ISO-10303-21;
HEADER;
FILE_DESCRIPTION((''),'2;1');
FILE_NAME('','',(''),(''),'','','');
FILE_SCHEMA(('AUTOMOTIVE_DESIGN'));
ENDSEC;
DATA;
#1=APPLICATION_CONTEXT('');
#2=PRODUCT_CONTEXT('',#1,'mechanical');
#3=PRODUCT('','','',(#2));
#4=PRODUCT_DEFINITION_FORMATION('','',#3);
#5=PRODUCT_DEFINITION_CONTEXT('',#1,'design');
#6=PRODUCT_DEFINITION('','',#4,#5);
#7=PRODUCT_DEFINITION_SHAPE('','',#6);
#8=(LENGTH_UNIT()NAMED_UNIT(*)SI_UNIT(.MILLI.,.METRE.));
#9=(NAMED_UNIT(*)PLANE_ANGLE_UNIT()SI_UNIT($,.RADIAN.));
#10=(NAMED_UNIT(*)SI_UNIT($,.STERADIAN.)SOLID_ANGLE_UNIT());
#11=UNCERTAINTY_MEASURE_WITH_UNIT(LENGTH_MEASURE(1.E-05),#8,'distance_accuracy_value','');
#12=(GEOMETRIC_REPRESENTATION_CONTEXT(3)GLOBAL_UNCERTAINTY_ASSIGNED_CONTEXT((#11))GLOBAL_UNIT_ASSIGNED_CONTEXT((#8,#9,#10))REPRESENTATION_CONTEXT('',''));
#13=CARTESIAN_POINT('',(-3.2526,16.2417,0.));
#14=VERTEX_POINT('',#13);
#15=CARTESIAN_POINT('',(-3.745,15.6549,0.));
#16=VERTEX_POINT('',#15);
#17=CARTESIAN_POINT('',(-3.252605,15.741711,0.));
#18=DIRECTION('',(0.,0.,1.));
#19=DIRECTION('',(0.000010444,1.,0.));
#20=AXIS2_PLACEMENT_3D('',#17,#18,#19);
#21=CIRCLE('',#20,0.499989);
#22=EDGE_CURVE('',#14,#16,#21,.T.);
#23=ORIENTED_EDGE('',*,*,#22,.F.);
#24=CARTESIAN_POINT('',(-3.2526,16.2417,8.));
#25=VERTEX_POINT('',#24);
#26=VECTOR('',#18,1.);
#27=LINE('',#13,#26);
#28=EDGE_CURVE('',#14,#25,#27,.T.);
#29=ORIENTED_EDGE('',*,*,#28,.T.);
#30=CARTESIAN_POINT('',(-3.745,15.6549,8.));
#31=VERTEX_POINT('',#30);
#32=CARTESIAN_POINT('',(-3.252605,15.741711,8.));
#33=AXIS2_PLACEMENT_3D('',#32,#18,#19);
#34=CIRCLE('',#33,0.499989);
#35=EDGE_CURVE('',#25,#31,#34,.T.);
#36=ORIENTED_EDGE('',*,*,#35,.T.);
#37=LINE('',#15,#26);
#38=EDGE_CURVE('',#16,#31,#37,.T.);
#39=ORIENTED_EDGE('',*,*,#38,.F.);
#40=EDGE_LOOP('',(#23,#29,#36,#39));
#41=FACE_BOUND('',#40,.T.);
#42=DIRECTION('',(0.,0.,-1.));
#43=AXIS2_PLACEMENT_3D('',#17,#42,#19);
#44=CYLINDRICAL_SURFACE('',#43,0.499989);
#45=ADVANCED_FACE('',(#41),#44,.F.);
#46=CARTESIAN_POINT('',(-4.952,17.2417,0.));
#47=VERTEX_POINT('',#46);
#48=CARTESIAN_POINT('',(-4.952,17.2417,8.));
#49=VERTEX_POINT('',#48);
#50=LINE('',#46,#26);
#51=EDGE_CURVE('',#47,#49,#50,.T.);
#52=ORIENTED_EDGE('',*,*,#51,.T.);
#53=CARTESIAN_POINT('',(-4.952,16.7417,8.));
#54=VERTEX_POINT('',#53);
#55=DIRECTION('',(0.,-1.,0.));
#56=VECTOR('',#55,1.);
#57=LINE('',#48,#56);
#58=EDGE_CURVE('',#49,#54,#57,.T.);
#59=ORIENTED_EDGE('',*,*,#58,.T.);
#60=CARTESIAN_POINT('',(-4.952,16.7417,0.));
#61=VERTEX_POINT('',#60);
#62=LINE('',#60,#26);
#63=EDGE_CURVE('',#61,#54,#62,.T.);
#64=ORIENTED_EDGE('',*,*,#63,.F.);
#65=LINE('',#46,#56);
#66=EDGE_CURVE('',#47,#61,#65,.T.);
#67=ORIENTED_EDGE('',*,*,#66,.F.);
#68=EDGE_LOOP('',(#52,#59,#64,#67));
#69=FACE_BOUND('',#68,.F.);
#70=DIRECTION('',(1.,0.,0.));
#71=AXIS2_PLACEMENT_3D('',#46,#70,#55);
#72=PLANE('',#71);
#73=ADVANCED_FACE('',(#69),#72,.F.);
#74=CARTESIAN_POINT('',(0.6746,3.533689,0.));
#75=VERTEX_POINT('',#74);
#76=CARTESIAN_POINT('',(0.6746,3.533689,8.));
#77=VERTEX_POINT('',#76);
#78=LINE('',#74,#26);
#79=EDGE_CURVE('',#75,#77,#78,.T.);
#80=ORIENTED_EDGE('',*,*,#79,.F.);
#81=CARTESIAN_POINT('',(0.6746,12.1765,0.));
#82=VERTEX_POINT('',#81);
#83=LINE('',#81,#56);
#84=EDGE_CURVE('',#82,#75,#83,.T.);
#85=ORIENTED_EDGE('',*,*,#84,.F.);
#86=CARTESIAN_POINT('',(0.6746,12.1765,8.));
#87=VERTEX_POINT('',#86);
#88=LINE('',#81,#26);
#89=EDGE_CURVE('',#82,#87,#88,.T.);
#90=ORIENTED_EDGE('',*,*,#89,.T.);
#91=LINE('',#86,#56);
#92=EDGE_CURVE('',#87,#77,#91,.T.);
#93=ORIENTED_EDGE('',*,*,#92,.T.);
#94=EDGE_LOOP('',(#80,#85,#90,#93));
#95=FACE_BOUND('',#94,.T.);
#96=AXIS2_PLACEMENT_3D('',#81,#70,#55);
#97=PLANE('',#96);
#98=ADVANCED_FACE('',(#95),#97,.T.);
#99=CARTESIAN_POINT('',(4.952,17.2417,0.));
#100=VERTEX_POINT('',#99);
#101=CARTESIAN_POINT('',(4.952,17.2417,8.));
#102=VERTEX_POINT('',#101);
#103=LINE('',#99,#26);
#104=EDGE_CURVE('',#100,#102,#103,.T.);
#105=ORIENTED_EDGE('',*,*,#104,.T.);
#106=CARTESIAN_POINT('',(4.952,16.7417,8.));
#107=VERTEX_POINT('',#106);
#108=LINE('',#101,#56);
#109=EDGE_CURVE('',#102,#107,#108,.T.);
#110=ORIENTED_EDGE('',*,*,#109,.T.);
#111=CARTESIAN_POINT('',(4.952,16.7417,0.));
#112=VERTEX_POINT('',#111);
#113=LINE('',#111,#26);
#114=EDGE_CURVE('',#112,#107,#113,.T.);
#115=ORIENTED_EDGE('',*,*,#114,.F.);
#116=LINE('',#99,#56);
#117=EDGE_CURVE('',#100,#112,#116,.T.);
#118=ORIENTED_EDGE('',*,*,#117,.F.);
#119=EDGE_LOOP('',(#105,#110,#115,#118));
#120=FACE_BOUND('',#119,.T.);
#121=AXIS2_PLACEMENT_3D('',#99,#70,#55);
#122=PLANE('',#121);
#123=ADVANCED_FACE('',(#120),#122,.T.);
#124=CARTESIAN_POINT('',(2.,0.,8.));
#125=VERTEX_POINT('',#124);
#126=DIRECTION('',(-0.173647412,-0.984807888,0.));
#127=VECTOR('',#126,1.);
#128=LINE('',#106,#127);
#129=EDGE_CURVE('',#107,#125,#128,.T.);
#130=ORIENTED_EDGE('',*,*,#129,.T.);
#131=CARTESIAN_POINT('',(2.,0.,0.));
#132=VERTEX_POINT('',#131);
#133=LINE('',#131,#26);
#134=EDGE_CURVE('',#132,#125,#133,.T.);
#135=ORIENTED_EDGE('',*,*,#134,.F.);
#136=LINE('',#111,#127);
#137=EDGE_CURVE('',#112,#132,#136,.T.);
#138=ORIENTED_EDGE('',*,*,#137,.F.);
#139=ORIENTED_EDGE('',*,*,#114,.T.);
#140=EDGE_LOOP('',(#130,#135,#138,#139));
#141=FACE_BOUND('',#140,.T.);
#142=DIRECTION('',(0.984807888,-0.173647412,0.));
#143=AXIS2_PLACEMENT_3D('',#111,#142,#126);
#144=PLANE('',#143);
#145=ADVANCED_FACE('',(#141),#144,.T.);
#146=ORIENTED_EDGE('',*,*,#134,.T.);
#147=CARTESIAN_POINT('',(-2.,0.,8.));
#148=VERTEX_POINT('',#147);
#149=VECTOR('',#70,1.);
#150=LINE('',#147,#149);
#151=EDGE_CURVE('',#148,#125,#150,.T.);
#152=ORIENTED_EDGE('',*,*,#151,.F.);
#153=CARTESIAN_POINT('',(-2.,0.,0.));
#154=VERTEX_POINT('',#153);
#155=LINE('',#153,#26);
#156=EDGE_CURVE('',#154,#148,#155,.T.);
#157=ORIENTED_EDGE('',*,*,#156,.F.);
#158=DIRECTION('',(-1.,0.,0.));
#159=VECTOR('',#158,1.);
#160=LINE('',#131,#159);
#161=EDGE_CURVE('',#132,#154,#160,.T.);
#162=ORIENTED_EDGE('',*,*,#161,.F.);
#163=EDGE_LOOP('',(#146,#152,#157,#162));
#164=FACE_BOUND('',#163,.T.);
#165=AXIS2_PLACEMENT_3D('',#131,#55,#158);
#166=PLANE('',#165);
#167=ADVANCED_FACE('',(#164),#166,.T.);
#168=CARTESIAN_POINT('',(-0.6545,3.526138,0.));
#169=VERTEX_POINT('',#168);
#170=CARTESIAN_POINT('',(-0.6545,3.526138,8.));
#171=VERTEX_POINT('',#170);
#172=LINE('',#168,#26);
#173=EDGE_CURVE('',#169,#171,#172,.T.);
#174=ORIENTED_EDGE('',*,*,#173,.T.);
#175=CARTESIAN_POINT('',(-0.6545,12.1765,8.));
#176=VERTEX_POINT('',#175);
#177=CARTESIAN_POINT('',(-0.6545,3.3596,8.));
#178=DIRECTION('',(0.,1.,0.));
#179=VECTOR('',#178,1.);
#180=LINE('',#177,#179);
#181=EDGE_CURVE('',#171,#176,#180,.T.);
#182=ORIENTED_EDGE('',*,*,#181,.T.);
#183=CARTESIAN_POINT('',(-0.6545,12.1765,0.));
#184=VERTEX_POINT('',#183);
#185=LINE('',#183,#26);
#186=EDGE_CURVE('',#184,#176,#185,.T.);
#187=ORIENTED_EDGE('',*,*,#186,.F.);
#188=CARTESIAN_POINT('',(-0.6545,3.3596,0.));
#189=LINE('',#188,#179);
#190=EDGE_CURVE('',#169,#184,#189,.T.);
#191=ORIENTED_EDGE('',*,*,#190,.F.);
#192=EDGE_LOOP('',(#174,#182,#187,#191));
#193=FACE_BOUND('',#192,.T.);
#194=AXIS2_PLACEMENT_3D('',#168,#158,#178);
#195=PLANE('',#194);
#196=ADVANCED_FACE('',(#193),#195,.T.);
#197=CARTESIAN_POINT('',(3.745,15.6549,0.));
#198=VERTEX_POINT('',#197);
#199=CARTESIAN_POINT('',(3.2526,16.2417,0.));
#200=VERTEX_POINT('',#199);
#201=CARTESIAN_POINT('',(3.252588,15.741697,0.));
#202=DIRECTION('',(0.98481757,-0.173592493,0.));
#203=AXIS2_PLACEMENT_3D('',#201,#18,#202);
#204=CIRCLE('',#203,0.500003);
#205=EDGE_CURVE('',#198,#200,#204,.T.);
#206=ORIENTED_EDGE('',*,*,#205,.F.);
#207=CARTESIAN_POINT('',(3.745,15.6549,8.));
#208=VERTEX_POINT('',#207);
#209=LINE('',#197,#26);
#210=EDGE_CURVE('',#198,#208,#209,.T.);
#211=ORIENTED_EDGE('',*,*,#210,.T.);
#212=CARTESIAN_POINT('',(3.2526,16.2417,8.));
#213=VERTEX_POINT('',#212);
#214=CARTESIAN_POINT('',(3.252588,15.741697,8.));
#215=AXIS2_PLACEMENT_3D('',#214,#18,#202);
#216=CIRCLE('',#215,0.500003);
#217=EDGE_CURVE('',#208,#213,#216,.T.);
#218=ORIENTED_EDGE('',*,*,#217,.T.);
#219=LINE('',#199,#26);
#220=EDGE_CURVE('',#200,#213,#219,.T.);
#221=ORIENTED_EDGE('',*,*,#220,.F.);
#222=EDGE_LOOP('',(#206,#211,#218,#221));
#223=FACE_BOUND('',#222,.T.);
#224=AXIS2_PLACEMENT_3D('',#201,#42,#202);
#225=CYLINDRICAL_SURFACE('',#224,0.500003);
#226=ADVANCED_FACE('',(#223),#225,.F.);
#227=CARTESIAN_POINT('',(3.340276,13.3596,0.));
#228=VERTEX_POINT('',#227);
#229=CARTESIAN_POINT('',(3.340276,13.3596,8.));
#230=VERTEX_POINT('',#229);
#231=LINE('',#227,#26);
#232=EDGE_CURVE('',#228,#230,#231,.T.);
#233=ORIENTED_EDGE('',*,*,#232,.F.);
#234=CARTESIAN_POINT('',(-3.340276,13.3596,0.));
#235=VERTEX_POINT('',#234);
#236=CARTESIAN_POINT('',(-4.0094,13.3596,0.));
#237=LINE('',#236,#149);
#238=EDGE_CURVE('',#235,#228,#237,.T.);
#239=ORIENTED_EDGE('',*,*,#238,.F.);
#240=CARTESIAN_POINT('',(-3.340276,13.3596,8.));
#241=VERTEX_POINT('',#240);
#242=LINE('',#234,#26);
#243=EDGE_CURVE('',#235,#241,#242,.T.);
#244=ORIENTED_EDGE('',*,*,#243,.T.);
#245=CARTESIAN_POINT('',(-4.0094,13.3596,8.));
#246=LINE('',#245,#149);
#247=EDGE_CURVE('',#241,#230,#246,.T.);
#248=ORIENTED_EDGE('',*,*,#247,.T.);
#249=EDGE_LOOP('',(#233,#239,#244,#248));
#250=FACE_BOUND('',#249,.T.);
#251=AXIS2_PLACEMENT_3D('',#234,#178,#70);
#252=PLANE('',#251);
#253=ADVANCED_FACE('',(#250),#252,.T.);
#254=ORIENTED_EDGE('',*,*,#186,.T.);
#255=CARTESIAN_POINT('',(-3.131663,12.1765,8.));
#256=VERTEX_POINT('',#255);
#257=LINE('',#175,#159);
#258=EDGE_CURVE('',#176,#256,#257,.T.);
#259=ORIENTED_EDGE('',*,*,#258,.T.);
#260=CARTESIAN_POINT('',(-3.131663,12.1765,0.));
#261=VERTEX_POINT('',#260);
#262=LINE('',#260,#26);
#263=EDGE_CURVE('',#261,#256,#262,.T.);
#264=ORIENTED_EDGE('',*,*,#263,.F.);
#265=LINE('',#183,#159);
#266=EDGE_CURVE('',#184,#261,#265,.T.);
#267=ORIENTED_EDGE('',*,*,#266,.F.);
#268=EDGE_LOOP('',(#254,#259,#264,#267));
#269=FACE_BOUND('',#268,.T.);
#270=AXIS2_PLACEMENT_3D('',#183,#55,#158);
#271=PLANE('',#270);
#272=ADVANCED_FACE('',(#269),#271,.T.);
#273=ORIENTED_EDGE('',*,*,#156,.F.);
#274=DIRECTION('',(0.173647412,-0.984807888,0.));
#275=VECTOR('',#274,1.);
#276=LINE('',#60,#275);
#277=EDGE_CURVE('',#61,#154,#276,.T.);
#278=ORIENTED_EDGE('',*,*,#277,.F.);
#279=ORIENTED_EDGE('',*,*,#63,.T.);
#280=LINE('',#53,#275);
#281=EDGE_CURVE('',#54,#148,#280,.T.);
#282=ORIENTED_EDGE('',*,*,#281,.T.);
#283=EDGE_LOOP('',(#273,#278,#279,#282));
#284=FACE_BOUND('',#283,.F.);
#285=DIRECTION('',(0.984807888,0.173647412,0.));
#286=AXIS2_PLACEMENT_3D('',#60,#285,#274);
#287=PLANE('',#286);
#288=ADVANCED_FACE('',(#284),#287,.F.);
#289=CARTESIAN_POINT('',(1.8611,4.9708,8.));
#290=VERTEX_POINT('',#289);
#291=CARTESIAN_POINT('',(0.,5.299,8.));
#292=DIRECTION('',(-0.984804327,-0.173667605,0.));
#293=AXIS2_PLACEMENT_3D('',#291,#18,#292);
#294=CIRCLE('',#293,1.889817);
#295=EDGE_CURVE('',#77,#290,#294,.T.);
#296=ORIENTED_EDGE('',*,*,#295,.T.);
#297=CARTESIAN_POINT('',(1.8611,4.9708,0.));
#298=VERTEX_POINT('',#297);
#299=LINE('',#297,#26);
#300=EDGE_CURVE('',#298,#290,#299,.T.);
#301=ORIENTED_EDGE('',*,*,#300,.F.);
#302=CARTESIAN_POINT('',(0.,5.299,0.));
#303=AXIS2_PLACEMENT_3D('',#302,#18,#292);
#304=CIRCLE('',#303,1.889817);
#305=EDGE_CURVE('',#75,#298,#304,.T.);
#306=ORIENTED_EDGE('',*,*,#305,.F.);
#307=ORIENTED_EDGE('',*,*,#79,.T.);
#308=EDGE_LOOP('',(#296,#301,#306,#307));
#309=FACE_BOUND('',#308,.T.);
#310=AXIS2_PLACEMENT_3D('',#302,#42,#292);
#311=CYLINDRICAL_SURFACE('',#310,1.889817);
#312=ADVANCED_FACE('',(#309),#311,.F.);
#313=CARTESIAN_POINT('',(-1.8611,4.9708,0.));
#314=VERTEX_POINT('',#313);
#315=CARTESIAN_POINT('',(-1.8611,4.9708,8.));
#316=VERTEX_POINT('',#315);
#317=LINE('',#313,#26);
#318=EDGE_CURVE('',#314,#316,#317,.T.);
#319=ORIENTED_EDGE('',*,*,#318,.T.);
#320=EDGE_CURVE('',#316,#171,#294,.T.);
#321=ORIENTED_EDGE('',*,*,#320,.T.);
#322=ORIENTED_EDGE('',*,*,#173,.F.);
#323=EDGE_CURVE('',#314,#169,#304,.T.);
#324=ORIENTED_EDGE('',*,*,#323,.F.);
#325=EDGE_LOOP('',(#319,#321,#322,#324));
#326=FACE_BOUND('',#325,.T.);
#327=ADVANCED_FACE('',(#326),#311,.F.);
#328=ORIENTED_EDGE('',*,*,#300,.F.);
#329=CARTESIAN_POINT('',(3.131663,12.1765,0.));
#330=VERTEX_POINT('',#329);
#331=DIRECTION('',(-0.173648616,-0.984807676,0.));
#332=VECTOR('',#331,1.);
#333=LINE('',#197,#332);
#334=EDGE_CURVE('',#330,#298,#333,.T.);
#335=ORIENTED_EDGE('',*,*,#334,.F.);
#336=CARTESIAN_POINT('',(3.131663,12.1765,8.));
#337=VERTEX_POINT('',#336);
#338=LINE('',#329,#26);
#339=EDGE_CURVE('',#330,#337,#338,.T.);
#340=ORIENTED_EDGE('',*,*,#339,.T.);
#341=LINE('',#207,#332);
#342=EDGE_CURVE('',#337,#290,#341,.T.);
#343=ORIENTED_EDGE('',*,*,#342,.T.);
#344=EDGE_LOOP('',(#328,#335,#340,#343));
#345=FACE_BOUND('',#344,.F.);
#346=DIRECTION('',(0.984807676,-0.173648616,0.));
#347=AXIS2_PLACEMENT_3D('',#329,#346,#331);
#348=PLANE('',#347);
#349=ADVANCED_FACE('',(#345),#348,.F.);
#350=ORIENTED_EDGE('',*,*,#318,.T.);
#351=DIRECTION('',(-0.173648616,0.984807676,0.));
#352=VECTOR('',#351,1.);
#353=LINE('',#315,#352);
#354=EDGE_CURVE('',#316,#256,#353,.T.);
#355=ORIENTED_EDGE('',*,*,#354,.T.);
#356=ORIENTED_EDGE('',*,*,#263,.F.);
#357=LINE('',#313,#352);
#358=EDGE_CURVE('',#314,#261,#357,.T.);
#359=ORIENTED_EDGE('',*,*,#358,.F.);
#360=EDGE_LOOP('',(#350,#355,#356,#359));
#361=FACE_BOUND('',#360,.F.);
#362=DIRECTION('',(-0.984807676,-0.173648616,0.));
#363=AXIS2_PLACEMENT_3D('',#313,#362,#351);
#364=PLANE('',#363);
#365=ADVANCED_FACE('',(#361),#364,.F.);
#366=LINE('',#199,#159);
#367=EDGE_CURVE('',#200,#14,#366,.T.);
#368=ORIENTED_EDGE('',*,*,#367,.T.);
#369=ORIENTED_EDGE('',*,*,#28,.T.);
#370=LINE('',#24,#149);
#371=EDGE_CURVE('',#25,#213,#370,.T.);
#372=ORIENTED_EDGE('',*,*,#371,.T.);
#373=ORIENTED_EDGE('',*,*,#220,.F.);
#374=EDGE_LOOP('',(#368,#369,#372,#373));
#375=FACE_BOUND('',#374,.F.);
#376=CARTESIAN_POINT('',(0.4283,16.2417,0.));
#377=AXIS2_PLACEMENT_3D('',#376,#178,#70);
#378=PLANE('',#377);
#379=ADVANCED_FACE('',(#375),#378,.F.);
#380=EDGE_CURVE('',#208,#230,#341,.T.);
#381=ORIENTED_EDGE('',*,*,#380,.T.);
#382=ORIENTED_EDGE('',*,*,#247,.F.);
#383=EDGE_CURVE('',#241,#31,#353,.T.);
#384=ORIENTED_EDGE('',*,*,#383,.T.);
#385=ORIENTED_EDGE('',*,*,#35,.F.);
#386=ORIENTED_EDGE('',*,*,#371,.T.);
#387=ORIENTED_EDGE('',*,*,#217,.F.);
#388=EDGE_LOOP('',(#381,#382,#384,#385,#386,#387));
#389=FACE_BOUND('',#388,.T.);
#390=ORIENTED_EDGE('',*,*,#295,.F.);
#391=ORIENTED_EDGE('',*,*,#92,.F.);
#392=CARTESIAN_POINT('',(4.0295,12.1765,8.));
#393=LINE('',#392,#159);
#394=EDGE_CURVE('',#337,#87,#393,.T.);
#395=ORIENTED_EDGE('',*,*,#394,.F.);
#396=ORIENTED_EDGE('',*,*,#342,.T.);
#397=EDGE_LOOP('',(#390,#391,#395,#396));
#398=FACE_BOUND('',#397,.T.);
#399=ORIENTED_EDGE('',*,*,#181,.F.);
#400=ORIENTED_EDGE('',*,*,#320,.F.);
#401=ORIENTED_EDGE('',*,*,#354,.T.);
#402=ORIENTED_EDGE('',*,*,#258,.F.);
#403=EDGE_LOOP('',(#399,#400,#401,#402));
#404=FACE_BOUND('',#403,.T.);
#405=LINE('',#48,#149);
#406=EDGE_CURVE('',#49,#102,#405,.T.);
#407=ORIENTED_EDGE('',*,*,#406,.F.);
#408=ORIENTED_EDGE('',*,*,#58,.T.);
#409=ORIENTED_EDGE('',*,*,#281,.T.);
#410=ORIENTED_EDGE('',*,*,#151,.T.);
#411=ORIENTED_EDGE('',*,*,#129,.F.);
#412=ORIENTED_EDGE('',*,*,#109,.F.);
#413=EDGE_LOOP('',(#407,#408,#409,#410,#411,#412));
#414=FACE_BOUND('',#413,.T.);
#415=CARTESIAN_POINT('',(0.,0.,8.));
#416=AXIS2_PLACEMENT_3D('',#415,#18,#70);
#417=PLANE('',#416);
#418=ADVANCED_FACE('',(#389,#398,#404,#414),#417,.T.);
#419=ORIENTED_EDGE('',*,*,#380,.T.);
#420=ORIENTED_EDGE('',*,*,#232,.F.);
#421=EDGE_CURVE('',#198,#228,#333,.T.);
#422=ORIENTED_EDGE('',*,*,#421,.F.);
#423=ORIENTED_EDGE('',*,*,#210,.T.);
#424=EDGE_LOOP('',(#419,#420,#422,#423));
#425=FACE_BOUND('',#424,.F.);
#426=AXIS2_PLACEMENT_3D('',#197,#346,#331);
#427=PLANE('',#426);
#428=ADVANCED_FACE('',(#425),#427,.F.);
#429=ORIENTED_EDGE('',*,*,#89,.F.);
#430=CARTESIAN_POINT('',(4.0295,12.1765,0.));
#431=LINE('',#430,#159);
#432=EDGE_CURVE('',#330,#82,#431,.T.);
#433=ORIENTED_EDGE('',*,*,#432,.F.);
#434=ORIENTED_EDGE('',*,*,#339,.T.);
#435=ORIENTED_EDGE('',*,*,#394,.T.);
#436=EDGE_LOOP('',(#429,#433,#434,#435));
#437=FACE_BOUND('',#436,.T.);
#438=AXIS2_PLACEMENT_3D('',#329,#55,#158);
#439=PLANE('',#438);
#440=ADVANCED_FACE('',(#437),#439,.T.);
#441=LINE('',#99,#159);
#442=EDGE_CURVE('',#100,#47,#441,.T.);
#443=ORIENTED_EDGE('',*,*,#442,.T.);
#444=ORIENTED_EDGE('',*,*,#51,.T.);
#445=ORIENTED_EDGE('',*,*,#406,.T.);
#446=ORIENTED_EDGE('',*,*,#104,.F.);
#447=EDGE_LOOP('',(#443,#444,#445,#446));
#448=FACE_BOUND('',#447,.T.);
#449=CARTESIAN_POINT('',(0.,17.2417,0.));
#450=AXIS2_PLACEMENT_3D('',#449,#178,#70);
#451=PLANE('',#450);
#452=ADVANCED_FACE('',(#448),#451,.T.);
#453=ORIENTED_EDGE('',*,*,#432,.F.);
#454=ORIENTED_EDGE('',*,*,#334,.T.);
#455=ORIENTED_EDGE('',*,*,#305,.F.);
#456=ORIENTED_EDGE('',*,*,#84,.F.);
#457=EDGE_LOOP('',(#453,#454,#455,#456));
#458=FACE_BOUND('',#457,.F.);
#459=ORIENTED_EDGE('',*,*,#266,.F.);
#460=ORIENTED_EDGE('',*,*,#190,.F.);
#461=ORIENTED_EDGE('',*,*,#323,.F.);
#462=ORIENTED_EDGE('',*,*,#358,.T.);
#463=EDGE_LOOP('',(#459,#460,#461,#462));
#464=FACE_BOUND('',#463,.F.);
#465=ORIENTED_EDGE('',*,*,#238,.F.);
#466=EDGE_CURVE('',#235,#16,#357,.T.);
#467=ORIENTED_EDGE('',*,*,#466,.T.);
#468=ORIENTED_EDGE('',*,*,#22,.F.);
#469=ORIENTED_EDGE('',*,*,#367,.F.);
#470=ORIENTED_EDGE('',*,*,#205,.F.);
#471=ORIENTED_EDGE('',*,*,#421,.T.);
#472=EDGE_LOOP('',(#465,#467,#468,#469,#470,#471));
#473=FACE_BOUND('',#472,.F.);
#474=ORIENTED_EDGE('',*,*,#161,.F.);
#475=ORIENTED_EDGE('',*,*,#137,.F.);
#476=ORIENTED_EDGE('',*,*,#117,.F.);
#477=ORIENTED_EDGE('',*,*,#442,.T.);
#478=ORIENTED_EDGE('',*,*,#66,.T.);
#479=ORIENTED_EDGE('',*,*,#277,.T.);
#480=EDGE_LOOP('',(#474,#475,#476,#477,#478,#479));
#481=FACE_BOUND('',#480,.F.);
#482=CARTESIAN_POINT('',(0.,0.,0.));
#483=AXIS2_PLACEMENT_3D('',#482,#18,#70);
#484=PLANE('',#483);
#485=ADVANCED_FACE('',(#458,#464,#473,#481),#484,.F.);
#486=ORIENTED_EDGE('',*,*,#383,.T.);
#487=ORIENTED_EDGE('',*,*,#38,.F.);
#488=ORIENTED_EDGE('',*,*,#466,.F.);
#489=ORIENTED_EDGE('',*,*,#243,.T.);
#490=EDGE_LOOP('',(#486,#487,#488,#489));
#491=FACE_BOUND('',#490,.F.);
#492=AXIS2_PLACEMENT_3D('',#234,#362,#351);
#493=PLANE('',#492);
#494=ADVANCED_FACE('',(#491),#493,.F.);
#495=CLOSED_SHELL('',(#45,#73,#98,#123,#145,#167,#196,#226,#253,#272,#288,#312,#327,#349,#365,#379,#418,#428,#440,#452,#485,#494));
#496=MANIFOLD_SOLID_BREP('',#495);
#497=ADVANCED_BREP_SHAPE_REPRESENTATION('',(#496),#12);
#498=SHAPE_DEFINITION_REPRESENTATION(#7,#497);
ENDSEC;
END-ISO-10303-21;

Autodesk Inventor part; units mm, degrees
ref_plane "YZ Plane" through (0, 0, 0) normal (1, 0, 0) x (0, 1, 0)
ref_plane "XZ Plane" through (0, 0, 0) normal (0, 1, 0) x (-1, 0, 0)
ref_plane "XY Plane" through (0, 0, 0) normal (0, 0, 1) x (1, 0, 0)
sketch "Sketch1" plane through (0, 0, 0) normal (0, 0, 1) x (1, 0, 0)
  line L0 (0, 0) -> (0, 17.2417) construction
  line L1 (0, 17.2417) -> (-4.952, 17.2417)
  line L2 (-4.952, 17.2417) -> (-4.952, 16.7417)
  line L3 (-4.952, 16.7417) -> (-2, 0)
  line L4 (-2, 0) -> (0, 0)
  line L5 (0, 17.2417) -> (4.952, 17.2417)
  line L6 (4.952, 17.2417) -> (4.952, 16.7417)
  line L7 (4.952, 16.7417) -> (2, 0)
  line L8 (2, 0) -> (0, 0)
  line L9 (-3.2526, 16.2417) -> (0.4283, 16.2417)
  line L10 (0.4283, 16.2417) -> (3.2526, 16.2417)
  line L11 (3.745, 15.6549) -> (1.8611, 4.9708)
  line L12 (-1.8611, 4.9708) -> (-3.745, 15.6549)
  arc A0 (-3.2526, 16.2417) -> (-3.745, 15.6549) centre (-3.2526, 15.7417) ccw
  arc A1 (3.745, 15.6549) -> (3.2526, 16.2417) centre (3.2526, 15.7417) ccw
  arc A2 (-1.8611, 4.9708) -> (1.8611, 4.9708) centre (0, 5.299) ccw
  line L13 (-4.0013, 13.3596) -> (4.0862, 13.3596) construction
  line L14 (4.0862, 13.3596) -> (4.0862, 3.3596) construction
  line L15 (4.0862, 3.3596) -> (-4.0013, 3.3596) construction
  line L16 (-4.0013, 3.3596) -> (-4.0013, 13.3596) construction
  line L17 (-0.6545, 3.3596) -> (-0.6545, 12.1765)
  line L18 (-0.6545, 12.1765) -> (-4.0094, 12.1765)
  line L19 (-4.0094, 12.1765) -> (-4.0094, 13.3596)
  line L20 (-4.0094, 13.3596) -> (4.0295, 13.3596)
  line L21 (4.0295, 13.3596) -> (4.0295, 12.1765)
  line L22 (4.0295, 12.1765) -> (0.6746, 12.1765)
  line L23 (0.6746, 12.1765) -> (0.6746, 3.3596)
  line L24 (0.6746, 3.3596) -> (-0.6545, 3.3596)
  point P0 (-3.8484, 16.2417)
  point P1 (3.8484, 16.2417)
  point P2 (0, -5.5838)
  dimension "d0" = 2
  dimension "d1" = 10
  dimension "d2" = 0.5
  dimension "d3" = 17
  dimension "d4" = 1
  dimension "d7" = 0.5
extrude "Extrusion1" add sketch "Sketch1" along normal blind 8 contours L5 L6 L7 L8 L4 L3 L2 L1 | L20 L11 L22 L23 A2 L17 L18 L12 | L12 L18 L19 L20 | L20 L21 L22 L11 | A2 L23 L24 L17
properties part number "MainBracketT"
